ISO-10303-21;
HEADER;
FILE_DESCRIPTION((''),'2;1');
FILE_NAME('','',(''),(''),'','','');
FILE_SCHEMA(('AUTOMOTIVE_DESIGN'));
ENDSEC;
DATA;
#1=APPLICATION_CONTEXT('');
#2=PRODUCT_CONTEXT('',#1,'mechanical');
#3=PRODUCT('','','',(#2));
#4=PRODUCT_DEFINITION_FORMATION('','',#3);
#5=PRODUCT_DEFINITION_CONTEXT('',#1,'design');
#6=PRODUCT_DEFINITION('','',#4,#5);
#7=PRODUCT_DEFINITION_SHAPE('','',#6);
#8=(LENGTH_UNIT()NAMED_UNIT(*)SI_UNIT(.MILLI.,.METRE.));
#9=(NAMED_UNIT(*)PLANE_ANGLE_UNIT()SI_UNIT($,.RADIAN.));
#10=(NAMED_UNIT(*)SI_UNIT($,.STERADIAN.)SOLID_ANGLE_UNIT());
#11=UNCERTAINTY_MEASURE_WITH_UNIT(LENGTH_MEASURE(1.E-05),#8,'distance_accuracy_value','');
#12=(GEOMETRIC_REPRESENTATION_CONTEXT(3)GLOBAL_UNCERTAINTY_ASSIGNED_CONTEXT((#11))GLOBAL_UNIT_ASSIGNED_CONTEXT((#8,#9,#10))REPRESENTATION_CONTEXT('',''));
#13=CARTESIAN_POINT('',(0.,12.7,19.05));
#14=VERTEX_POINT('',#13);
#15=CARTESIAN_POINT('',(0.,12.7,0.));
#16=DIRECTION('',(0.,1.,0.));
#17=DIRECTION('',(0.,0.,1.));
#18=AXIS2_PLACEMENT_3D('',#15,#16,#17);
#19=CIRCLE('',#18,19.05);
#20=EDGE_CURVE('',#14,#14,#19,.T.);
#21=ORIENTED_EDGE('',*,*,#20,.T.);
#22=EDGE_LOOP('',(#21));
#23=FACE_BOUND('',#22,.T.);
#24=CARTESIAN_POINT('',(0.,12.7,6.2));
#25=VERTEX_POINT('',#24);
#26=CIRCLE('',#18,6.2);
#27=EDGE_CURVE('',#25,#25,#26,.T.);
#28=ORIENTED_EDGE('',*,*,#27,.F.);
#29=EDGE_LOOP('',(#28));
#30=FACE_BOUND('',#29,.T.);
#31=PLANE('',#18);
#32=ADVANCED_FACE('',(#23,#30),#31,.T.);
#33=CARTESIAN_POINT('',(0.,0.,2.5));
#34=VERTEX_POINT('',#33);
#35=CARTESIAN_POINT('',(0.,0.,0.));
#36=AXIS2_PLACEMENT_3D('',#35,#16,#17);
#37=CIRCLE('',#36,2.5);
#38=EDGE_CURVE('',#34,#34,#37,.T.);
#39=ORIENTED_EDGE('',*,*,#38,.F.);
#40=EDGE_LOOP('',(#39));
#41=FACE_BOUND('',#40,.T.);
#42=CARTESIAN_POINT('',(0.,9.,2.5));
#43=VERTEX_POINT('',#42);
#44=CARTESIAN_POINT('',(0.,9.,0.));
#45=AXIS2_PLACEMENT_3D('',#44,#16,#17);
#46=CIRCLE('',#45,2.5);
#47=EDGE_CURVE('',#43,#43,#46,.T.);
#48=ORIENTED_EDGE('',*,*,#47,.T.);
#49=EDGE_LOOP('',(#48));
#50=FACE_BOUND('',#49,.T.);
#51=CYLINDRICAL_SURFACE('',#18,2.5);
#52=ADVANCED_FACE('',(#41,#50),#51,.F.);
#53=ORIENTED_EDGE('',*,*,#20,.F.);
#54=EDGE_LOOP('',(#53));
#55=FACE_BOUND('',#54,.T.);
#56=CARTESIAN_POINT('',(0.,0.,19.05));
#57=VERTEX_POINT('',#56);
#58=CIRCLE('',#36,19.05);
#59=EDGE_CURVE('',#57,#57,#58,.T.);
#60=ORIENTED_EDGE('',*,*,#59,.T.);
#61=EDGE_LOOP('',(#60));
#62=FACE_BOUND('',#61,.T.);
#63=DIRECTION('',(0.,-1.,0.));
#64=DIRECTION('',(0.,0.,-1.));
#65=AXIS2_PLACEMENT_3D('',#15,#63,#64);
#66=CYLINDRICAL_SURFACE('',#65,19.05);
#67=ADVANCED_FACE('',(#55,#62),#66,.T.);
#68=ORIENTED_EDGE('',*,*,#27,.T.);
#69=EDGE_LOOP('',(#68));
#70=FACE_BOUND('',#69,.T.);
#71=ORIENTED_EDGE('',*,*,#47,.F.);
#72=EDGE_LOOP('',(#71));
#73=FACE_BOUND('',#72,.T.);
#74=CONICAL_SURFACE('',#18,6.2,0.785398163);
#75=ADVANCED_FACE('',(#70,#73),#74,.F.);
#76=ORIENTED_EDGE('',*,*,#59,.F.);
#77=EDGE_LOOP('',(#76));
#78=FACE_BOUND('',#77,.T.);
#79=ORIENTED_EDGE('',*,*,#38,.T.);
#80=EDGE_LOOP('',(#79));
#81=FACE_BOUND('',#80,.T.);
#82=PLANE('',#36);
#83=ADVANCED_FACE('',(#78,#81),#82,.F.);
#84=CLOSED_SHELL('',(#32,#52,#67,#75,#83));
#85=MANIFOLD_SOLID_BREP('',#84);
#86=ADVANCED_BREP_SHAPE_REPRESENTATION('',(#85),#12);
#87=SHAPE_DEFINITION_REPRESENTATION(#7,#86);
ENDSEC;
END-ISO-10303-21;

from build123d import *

# Parameters (mm, degrees)
SKETCH1_R                       = 19.05
BOSS_EXTRUDE1_DEPTH             = 12.7
M6X1_0_TAPPED_HOLE1_D           = 5
M6X1_0_TAPPED_HOLE1_CSINK_D     = 12.4
M6X1_0_TAPPED_HOLE1_CSINK_ANGLE = 90


with BuildPart() as part:
    # Sketch1 → Boss-Extrude1 (new body)
    with BuildSketch(Plane(origin=(0, 0, 0), x_dir=(1, 0, 0), z_dir=(0, 1, 0))):
        with Locations(Location((0, 0, 0), (0, 0, 270))):
            Circle(SKETCH1_R)
    extrude(amount=BOSS_EXTRUDE1_DEPTH)

    # M6x1.0 Tapped Hole1 (through all)
    with Locations(Plane(origin=(0, 12.7, 0), x_dir=(1, 0, 0), z_dir=(0, 1, 0))):
        with Locations((0, 0)):
            CounterSinkHole(M6X1_0_TAPPED_HOLE1_D / 2, M6X1_0_TAPPED_HOLE1_CSINK_D / 2, counter_sink_angle=M6X1_0_TAPPED_HOLE1_CSINK_ANGLE)


solid = part.part
